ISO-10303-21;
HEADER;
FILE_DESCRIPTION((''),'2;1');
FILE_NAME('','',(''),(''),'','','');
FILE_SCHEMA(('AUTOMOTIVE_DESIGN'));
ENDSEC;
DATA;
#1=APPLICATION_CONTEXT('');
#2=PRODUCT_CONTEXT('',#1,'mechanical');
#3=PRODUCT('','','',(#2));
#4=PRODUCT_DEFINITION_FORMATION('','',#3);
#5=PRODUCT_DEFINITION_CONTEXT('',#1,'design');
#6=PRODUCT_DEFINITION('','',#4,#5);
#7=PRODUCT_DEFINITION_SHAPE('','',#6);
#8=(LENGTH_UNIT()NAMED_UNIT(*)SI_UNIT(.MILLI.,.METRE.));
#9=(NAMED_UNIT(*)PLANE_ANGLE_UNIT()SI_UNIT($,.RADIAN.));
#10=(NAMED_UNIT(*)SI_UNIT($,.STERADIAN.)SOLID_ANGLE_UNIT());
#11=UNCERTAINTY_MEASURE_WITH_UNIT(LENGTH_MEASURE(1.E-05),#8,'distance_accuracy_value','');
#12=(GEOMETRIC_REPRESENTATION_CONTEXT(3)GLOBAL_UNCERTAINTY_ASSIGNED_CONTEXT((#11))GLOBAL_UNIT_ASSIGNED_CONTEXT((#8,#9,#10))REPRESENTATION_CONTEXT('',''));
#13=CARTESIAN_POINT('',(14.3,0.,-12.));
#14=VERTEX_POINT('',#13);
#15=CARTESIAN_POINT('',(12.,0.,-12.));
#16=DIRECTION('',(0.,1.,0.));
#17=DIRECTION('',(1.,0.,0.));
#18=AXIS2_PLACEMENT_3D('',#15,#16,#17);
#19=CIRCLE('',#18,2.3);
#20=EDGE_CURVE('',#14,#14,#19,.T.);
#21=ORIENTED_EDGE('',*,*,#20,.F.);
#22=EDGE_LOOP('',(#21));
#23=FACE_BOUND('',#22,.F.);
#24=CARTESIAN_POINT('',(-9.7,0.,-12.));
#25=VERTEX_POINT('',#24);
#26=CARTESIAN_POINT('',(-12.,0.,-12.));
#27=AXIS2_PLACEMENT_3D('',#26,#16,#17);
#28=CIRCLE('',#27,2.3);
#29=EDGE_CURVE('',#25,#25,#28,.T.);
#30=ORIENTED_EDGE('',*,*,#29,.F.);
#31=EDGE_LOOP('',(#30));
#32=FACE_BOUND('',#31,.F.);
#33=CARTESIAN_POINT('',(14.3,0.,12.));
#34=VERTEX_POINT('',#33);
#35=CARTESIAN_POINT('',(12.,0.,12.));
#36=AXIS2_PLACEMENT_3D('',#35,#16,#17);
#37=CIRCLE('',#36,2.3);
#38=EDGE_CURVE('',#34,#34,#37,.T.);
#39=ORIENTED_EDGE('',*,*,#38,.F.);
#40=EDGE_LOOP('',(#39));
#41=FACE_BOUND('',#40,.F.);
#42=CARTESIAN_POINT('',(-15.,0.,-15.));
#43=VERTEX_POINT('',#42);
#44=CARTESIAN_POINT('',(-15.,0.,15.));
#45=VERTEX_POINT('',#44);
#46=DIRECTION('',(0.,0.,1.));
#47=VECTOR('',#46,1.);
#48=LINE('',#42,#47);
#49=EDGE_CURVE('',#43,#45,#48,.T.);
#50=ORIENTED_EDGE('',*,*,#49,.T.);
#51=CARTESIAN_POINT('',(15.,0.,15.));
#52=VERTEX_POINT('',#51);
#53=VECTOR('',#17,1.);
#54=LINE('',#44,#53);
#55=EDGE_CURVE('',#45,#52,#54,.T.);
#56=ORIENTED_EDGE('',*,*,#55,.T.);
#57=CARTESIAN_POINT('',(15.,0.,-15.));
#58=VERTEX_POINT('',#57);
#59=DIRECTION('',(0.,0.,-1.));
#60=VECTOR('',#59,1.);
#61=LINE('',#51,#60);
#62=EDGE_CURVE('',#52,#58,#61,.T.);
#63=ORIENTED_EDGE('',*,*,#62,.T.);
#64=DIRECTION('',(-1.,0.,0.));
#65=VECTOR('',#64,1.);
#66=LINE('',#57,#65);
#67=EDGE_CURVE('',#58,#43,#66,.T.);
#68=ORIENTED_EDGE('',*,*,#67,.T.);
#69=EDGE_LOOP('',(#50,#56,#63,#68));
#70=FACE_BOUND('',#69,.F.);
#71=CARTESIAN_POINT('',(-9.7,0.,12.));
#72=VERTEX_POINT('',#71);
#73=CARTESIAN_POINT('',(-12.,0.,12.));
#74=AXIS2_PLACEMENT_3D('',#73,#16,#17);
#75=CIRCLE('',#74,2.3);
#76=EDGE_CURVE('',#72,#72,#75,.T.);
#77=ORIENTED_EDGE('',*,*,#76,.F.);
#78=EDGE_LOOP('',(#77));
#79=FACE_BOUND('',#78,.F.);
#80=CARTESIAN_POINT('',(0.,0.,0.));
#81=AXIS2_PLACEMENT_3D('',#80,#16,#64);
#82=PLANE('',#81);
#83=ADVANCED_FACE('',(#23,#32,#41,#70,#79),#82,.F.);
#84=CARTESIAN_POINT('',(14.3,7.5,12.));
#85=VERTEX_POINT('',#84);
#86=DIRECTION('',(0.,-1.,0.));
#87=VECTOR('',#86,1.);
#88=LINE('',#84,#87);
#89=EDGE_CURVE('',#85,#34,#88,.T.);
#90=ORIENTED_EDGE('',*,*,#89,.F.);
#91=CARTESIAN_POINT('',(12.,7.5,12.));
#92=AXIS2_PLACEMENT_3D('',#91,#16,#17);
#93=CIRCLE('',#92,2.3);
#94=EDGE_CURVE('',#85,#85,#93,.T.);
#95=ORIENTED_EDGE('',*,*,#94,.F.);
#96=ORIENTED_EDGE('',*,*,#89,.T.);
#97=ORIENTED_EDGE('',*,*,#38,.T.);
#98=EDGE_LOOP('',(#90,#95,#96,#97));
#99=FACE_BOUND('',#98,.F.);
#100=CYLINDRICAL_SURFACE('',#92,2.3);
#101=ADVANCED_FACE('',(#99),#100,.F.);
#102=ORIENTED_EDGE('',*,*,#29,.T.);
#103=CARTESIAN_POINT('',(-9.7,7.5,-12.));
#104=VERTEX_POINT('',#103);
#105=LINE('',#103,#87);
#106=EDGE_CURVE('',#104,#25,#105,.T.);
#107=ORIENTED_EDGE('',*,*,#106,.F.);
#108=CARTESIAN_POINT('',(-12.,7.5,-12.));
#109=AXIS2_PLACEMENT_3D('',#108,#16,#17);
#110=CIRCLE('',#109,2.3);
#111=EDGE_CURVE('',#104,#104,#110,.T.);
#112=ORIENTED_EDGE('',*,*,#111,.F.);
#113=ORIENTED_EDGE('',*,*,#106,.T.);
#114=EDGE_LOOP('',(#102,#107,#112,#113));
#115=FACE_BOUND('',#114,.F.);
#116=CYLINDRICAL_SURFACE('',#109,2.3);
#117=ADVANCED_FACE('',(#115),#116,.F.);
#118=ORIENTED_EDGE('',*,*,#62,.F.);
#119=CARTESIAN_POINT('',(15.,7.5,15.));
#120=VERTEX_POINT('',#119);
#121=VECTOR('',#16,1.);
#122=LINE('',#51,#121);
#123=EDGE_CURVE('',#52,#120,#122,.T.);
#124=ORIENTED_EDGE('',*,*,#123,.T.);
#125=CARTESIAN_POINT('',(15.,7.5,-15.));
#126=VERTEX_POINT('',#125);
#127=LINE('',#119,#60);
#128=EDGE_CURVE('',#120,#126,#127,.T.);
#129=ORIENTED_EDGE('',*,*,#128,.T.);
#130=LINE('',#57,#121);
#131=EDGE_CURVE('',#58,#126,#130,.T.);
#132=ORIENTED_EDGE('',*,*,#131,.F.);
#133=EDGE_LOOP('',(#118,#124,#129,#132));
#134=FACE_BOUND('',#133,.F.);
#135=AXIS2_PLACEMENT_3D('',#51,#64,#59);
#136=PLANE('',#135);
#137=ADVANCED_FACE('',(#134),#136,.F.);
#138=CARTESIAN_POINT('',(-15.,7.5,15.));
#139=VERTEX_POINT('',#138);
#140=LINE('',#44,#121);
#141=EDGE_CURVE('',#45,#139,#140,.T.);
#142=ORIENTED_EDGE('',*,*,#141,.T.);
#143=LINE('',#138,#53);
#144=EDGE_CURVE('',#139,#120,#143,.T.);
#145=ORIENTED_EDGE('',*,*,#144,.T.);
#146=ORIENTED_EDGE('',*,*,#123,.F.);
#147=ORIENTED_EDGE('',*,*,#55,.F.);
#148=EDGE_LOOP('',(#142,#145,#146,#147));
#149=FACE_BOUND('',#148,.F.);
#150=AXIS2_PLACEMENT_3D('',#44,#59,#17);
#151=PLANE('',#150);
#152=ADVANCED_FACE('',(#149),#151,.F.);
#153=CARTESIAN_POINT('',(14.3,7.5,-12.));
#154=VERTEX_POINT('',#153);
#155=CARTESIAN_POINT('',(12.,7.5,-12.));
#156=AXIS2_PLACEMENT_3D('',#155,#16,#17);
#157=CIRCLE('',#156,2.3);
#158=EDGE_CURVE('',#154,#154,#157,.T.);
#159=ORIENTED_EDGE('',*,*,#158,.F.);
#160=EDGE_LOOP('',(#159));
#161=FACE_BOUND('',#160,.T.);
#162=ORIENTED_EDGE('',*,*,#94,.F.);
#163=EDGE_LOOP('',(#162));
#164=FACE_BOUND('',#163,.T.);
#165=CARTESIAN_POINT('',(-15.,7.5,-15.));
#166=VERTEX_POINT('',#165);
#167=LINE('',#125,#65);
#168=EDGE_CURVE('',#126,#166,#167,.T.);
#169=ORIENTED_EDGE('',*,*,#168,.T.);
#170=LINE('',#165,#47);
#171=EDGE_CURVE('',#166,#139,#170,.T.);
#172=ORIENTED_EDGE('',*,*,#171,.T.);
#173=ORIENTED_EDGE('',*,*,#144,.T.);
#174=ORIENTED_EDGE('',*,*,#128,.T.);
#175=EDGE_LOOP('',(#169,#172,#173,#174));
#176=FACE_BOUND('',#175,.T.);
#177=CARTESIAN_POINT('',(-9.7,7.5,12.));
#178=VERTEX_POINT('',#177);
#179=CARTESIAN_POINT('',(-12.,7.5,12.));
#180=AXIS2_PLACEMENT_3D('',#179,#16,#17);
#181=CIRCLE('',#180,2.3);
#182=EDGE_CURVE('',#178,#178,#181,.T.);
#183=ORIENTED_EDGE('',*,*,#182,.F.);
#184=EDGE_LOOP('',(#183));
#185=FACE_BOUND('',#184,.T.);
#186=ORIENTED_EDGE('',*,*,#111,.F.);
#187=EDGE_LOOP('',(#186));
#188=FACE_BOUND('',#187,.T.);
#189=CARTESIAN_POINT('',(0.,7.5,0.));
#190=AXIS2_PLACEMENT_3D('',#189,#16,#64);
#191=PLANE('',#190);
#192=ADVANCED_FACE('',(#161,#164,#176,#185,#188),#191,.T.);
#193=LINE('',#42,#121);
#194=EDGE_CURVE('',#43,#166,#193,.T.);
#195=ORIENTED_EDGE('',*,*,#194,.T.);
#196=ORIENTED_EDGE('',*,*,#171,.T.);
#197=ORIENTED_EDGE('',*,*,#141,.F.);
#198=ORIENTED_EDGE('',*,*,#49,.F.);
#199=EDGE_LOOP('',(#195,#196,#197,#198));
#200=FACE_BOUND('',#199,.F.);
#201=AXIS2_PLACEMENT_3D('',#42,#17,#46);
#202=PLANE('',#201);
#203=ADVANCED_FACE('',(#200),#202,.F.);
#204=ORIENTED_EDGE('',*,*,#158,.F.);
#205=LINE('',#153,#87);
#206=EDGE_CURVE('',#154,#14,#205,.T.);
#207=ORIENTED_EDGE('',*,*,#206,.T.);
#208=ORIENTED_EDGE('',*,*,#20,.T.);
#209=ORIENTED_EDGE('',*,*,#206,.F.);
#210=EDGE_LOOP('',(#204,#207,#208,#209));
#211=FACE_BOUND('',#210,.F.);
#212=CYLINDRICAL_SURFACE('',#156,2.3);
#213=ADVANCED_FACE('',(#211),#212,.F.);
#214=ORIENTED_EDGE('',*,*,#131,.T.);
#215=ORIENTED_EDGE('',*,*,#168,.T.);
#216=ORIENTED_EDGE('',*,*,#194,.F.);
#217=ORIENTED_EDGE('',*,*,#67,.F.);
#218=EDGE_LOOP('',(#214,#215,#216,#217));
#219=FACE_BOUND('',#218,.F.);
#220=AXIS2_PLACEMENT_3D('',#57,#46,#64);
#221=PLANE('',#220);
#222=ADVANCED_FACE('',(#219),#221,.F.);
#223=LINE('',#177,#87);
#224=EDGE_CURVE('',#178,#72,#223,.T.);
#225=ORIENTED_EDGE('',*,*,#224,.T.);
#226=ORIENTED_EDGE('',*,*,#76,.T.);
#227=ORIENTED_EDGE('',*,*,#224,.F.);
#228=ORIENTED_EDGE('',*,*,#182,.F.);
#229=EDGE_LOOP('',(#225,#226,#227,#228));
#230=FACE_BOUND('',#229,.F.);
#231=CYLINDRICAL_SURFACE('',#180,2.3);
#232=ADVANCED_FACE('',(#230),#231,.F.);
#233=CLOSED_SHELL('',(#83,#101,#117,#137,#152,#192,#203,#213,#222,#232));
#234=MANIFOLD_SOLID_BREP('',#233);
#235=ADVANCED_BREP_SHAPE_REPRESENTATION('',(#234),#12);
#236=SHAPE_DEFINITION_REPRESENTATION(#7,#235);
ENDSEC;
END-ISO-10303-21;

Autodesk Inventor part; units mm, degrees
ref_plane "YZ Plane" through (0, 0, 0) normal (1, 0, 0) x (0, 1, 0)
ref_plane "XZ Plane" through (0, 0, 0) normal (0, 1, 0) x (-1, 0, 0)
ref_plane "XY Plane" through (0, 0, 0) normal (0, 0, 1) x (1, 0, 0)
sketch "Sketch1" plane through (0, 0, 0) normal (0, 1, 0) x (-1, 0, 0)
  line L0 (15, 15) -> (-15, 15)
  line L1 (-15, 15) -> (-15, -15)
  line L2 (-15, -15) -> (15, -15)
  line L3 (15, -15) -> (15, 15)
  point P0 (0, 0)
  dimension "d0" = 30
  dimension "d1" = 30
  dimension "d2" = 15
  dimension "d3" = 15
extrude "Extrusion1" add sketch "Sketch1" along normal blind 7.5
sketch "Sketch2" plane through (0, 7.5, 0) normal (0, 1, 0) x (1, 0, 0)
  circle A0 centre (-12, 12) radius 2.3
  circle A1 centre (12, 12) radius 2.3
  circle A2 centre (12, -12) radius 2.3
  circle A3 centre (-12, -12) radius 2.3
  line L0 (-15, 15) -> (-15, -15) projected
  line L1 (15, 15) -> (-15, 15) projected
  line L2 (15, -15) -> (15, 15) projected
  line L3 (-15, -15) -> (15, -15) projected
  point P0 (0, 0)
  dimension "d6" = 4.6
  dimension "d7" = 4.6
  dimension "d8" = 4.6
  dimension "d9" = 4.6
  dimension "d10" = 3
  dimension "d11" = 3
  dimension "d12" = 3
  dimension "d13" = 3
  dimension "d14" = 3
  dimension "d15" = 3
  dimension "d16" = 3
  dimension "d17" = 3
extrude "Extrusion2" cut sketch "Sketch2" against normal through all contours A0 | A1 | A2 | A3
properties part number "Fan_Model"
